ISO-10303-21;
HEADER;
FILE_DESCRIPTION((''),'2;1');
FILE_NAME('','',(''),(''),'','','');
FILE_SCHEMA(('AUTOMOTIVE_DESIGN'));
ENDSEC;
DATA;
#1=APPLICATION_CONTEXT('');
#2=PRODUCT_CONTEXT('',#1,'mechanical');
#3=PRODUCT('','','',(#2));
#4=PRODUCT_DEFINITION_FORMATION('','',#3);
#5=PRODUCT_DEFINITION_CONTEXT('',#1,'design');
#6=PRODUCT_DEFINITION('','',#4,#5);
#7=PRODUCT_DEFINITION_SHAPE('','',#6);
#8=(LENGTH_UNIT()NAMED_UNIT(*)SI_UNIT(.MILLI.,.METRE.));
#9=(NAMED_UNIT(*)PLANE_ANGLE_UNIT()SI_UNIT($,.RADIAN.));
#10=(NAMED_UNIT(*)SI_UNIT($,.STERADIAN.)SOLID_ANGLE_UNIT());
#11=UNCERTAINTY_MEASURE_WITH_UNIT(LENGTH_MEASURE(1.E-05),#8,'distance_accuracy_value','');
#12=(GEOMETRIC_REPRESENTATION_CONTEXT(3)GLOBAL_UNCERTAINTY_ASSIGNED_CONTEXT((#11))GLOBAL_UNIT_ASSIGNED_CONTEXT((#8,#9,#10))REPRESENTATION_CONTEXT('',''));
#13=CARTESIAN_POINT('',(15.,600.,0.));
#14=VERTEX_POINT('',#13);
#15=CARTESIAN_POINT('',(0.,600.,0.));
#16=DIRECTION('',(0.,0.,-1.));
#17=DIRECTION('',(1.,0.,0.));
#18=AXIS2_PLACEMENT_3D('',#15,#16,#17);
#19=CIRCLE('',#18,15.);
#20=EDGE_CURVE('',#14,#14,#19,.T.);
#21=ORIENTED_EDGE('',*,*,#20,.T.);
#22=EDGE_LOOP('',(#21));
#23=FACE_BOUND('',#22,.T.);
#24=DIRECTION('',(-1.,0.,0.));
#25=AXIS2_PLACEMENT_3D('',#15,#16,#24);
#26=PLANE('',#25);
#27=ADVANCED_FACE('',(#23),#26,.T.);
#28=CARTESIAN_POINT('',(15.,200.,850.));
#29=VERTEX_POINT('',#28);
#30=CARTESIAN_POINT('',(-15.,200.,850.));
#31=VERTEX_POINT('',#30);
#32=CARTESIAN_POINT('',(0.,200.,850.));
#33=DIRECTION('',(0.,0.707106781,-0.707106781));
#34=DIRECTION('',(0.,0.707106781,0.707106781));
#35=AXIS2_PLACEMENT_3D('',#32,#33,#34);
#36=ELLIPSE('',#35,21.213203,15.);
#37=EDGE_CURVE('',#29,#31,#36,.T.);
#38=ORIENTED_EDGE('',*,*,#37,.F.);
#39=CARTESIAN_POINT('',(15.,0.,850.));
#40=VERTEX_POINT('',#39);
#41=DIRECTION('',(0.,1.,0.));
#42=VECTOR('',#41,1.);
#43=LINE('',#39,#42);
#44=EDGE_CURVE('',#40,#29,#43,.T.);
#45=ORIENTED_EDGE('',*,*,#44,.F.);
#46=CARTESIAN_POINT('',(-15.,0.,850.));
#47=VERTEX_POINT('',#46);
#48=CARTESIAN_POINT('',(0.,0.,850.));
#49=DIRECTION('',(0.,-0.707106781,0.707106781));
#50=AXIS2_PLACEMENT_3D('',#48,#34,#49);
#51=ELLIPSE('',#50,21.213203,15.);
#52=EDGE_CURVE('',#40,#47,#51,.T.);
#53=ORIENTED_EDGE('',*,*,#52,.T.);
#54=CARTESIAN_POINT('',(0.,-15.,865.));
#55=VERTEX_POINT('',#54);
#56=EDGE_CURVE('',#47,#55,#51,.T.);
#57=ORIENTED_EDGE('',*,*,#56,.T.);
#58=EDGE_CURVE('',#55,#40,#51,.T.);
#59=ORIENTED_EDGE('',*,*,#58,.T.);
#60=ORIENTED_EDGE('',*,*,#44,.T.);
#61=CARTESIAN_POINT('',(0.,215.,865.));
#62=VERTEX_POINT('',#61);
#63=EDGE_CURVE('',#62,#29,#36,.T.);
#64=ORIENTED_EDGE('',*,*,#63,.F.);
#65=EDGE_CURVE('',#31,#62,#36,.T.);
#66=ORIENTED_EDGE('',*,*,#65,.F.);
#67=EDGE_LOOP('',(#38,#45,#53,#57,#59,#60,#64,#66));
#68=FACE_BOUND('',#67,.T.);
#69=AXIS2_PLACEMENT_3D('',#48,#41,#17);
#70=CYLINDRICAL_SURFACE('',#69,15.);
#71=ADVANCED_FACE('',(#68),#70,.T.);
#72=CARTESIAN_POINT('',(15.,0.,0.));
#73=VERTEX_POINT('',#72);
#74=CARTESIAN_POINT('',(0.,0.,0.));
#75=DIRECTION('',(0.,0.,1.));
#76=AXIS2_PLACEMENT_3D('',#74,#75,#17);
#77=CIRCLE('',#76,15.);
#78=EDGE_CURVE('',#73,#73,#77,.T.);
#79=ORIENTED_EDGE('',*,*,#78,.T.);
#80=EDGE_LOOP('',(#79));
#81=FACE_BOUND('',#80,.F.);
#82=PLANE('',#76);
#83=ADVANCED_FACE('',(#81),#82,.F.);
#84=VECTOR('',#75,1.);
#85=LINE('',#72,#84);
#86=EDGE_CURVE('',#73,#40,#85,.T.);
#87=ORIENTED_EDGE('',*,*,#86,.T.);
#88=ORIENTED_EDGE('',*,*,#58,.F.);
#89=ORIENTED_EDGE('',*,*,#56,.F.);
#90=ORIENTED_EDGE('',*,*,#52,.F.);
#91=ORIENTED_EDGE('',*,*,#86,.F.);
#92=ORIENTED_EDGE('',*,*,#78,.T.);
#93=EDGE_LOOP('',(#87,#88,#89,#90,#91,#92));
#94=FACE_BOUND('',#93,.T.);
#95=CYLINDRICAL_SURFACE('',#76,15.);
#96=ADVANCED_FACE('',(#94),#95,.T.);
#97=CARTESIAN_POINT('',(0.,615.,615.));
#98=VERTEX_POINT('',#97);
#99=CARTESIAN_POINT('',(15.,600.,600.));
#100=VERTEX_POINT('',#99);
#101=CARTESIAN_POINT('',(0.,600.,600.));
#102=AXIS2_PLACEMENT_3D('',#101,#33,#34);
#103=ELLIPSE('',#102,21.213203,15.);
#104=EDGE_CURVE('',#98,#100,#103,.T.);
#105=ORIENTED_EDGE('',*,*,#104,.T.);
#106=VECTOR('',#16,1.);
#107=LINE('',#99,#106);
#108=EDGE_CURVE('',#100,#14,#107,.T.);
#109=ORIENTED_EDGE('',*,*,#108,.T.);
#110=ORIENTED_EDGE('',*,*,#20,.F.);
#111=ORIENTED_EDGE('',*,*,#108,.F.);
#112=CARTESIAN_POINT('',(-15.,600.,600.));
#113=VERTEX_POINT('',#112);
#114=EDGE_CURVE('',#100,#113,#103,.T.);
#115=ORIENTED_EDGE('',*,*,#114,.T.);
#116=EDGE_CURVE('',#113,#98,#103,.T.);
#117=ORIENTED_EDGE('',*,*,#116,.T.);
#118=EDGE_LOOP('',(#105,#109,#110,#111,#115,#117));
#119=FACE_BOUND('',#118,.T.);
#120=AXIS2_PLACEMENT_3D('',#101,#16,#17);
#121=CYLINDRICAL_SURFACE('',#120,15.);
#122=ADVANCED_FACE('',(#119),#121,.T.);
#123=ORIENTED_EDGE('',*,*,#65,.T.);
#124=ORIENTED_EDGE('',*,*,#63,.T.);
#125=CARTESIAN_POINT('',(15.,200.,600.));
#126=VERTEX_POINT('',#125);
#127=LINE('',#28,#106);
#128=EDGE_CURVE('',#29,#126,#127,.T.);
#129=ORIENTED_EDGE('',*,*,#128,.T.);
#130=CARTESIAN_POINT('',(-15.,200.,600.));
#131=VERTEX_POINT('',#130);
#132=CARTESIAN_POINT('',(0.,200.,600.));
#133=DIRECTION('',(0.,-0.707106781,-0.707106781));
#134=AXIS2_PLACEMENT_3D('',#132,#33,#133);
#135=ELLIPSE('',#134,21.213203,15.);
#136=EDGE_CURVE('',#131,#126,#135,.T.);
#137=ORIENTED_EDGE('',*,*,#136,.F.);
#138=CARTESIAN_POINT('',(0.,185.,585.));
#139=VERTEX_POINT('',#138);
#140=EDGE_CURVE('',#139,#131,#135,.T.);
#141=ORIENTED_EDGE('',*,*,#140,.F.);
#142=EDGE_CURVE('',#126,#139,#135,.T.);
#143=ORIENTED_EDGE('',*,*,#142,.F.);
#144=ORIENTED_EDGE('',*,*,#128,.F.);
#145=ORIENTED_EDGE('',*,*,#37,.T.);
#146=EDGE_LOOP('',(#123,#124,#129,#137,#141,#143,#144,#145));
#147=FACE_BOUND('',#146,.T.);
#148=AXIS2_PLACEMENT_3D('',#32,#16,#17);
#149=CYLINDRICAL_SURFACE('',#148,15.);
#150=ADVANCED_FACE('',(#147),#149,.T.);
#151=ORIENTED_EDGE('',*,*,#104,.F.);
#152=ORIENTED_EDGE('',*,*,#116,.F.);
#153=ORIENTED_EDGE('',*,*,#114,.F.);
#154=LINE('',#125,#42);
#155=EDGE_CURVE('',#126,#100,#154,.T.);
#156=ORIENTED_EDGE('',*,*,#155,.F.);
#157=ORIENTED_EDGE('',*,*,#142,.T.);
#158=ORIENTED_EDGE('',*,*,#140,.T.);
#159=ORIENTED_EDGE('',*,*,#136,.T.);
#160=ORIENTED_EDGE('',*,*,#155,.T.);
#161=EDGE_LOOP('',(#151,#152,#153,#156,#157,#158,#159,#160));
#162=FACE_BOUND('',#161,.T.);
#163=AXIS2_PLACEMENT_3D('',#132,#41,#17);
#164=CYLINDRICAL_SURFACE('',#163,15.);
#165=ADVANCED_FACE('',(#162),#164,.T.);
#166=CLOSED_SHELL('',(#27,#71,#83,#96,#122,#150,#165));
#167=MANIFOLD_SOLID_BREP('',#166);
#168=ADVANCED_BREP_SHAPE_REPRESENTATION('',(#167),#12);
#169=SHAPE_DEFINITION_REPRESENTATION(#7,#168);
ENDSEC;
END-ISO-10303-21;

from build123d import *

# Parameters (mm, degrees)
F1_R = 15


with BuildPart() as f2:
    # F2: sweep along a path in F0
    with BuildLine(Plane.YZ) as f2_path:
        Line((0, 0), (0, 850))
        Line((0, 850), (200, 850))
        Line((200, 850), (200, 600))
        Line((200, 600), (600, 600))
        Line((600, 600), (600, 0))
    # F1 (on Top) → F2 (sweep)
    with BuildSketch(Plane.XY):
        Circle(F1_R)
    sweep(path=f2_path.line, transition=Transition.RIGHT)


solid = f2.part
